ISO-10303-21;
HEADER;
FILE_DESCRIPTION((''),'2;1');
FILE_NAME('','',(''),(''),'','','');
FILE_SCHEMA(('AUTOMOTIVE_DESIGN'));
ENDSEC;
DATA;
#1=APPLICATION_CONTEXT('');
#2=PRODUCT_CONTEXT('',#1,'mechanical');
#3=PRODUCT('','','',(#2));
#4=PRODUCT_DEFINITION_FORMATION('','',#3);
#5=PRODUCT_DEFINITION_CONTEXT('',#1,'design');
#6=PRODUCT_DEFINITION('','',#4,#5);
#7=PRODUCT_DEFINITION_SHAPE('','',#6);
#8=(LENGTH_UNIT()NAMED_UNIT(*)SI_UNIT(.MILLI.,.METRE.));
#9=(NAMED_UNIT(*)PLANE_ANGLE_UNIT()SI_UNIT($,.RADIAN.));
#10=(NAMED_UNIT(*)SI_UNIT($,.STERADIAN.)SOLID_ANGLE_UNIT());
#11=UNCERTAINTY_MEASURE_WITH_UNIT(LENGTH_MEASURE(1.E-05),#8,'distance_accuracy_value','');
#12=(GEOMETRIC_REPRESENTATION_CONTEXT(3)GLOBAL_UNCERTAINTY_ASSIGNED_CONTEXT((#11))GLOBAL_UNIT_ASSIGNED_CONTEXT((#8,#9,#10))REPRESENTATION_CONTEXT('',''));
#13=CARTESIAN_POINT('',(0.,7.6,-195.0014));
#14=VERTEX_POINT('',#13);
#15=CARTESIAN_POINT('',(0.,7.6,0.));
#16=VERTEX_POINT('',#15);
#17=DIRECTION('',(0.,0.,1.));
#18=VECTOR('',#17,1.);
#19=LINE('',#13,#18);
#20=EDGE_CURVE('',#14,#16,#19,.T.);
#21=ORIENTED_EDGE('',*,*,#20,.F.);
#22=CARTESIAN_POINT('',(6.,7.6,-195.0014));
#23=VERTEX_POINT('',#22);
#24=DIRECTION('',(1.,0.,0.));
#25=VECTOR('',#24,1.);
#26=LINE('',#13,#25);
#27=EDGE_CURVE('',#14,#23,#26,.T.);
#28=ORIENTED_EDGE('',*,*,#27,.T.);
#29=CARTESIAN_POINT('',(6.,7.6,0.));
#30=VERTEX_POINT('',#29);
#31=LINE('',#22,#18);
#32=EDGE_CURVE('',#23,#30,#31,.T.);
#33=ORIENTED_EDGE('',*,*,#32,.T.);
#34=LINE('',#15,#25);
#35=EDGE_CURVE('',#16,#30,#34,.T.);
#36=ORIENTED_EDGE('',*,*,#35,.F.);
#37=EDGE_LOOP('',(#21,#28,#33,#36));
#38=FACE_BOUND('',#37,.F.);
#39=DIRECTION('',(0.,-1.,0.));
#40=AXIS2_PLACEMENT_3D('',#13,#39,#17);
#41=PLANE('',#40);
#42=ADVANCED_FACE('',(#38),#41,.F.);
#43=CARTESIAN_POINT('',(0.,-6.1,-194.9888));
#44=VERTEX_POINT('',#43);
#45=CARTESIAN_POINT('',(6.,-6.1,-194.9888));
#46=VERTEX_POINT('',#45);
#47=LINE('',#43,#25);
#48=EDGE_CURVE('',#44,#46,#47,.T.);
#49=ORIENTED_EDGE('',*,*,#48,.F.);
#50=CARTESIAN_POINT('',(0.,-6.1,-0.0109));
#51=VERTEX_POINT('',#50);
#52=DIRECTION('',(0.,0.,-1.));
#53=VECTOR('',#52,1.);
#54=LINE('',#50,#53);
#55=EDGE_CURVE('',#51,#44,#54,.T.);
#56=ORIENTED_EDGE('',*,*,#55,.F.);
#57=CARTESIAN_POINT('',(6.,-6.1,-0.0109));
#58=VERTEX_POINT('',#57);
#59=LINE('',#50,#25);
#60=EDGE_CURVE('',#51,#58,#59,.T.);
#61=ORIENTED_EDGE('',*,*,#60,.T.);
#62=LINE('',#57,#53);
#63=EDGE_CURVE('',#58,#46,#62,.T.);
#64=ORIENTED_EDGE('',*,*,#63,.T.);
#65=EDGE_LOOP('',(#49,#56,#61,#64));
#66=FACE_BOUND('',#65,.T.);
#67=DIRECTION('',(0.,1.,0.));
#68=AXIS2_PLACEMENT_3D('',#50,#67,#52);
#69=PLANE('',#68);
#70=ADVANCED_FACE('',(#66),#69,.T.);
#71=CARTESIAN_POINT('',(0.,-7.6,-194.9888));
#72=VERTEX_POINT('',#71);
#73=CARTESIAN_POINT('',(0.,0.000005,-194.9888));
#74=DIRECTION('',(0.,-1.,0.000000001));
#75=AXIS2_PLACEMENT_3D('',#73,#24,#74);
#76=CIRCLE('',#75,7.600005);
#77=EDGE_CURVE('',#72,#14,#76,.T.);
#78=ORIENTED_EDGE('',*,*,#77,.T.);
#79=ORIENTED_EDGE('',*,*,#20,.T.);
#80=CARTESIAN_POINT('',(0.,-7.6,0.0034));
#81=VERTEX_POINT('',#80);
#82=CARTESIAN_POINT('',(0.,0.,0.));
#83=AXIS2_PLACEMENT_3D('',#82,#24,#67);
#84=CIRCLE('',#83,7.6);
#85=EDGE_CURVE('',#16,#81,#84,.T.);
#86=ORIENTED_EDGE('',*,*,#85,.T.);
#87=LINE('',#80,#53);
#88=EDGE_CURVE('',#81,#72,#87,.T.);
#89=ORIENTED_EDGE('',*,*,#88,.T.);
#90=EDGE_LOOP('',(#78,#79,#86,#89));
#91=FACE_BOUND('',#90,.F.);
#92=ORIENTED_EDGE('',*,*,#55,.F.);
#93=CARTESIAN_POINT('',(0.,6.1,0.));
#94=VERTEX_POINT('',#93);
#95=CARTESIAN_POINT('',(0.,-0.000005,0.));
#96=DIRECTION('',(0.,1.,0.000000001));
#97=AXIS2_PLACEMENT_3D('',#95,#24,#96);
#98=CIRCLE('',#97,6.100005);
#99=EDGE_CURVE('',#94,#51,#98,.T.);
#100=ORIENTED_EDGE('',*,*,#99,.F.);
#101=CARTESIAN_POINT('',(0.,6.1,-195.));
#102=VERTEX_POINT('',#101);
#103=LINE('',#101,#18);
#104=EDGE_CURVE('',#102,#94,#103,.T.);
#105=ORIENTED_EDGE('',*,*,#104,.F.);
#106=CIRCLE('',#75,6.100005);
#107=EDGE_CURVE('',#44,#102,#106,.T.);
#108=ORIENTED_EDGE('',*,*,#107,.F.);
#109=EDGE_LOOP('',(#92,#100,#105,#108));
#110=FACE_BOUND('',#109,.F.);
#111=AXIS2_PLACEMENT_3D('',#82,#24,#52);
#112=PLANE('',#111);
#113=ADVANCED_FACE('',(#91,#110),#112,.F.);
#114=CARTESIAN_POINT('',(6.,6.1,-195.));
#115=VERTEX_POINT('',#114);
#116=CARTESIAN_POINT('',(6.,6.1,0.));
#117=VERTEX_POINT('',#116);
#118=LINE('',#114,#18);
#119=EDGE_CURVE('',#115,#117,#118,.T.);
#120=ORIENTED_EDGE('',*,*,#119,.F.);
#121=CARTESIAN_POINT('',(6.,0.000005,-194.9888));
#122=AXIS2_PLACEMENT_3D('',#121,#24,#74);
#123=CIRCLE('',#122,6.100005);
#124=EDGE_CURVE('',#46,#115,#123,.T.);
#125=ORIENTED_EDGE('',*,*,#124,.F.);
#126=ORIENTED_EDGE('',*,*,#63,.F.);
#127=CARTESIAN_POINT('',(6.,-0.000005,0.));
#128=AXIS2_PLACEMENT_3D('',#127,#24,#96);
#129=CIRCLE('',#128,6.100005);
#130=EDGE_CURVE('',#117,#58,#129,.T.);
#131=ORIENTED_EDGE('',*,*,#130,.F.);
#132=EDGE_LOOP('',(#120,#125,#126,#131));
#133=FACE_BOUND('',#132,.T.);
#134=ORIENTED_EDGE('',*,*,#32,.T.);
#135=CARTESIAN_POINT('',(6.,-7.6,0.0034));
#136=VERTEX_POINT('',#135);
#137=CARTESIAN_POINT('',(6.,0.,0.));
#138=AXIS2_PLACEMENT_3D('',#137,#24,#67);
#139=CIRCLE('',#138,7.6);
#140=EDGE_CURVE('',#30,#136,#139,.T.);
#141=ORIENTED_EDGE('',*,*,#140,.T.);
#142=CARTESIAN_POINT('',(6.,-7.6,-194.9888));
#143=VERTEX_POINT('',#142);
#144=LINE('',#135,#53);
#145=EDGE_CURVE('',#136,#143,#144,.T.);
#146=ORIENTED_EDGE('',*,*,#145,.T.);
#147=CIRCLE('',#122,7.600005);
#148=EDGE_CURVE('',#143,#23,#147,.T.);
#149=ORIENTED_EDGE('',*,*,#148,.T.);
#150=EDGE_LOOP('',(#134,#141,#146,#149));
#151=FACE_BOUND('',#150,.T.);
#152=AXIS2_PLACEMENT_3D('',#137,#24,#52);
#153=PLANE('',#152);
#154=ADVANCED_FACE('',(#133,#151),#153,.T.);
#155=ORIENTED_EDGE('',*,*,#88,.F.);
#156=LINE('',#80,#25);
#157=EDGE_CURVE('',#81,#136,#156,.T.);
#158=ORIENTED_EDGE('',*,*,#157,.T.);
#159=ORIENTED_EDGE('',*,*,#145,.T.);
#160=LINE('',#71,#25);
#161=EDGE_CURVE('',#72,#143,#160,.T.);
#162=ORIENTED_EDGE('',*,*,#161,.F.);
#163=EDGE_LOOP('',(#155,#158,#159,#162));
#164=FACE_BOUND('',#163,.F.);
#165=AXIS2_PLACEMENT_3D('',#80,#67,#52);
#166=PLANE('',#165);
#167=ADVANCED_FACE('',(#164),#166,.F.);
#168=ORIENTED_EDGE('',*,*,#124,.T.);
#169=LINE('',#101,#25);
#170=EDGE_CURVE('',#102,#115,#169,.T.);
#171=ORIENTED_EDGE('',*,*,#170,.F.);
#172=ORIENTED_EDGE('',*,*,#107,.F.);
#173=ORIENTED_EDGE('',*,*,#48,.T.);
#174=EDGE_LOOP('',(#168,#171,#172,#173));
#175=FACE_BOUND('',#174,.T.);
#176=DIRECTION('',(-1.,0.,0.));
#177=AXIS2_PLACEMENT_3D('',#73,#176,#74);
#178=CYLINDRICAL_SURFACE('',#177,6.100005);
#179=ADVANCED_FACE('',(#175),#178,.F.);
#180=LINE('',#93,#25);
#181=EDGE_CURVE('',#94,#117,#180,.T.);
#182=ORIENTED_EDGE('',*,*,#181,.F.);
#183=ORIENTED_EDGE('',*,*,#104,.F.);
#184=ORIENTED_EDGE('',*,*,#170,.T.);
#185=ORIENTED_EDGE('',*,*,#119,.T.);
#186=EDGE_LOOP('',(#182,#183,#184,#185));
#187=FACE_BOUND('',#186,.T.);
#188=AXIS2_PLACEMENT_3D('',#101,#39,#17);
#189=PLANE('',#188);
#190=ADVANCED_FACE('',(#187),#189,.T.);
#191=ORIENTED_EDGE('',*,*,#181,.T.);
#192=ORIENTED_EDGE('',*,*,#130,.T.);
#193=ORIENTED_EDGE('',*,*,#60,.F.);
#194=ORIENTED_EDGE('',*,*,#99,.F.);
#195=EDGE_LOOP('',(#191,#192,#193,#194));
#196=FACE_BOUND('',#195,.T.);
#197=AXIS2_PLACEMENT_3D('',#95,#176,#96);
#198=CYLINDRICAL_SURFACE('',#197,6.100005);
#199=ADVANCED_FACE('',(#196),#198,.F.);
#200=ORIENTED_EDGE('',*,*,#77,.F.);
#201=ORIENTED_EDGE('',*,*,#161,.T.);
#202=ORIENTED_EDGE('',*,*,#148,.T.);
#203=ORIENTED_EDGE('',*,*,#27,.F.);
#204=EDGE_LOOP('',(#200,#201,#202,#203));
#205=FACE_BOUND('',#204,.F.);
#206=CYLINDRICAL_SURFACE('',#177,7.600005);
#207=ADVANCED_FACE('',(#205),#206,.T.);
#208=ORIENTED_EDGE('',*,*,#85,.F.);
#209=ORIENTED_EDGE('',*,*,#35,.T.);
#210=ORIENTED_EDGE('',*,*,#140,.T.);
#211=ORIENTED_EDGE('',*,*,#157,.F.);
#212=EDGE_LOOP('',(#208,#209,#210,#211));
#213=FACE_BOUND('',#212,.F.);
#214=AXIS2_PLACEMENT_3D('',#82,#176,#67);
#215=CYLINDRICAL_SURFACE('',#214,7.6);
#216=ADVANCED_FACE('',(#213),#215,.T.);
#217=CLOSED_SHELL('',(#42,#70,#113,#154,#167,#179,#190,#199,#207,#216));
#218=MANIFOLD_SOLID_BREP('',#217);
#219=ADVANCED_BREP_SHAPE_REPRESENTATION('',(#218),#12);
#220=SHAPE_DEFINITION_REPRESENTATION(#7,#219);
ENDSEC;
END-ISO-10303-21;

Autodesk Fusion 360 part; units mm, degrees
sketch "Sketch1" plane through (0, 0, 0) normal (1, 0, 0) x (0, 0, -1)
  line L0 (0.0109, -6.1) -> (194.9888, -6.1)
  line L1 (195, 6.1) -> (0, 6.1)
  arc A0 (0, 6.1) -> (0.0109, -6.1) centre (0, 0) ccw
  arc A1 (194.9888, -6.1) -> (195, 6.1) centre (194.9888, 0) ccw
  line L2 (-0.0034, -7.6) -> (194.9888, -7.6)
  arc A2 (194.9888, -7.6) -> (195.0014, 7.6) centre (194.9888, 0) ccw
  line L3 (195.0014, 7.6) -> (0, 7.6)
  arc A3 (0, 7.6) -> (-0.0034, -7.6) centre (0, 0) ccw
  line L4 (0, 0) -> (194.9888, 0)
  dimension "d5" = 1.5
  dimension "d8" = 6.1
  dimension "d9" = 6.1
  dimension "d10" = 12.2
  dimension "d11" = 195
extrude "Extrude1" add sketch "Sketch1" along normal blind 6
sketch "Sketch2" plane through (0, 0, 0) normal (-1, 0, 0) x (0, 0, 1)
  arc A0 (-195, 6.1) -> (-194.9888, -6.1) centre (-194.9888, 0) ccw
  line L0 (-195, 6.1) -> (0, 6.1)
  arc A1 (-0.0109, -6.1) -> (0, 6.1) centre (0, 0) ccw
  line L1 (-0.0109, -6.1) -> (-194.9888, -6.1)
  arc A2 (0.0034, -7.6) -> (0, 7.6) centre (0, 0) ccw
  line L2 (0, 7.6) -> (-195.0014, 7.6)
  arc A3 (-195.0014, 7.6) -> (-194.9888, -7.6) centre (-194.9888, 0) ccw
  line L3 (-194.9888, -7.6) -> (0.0034, -7.6)
  line L4 (-0.004, 3.865) -> (-0.004, -8.2436)
sketch "Sketch3" plane through (0, 0, 0) normal (-1, 0, 0) x (0, 0, 1)
  arc A0 (-0.5, 5.9) -> (0.6, 5.9) centre (0.05, 5.95) ccw
